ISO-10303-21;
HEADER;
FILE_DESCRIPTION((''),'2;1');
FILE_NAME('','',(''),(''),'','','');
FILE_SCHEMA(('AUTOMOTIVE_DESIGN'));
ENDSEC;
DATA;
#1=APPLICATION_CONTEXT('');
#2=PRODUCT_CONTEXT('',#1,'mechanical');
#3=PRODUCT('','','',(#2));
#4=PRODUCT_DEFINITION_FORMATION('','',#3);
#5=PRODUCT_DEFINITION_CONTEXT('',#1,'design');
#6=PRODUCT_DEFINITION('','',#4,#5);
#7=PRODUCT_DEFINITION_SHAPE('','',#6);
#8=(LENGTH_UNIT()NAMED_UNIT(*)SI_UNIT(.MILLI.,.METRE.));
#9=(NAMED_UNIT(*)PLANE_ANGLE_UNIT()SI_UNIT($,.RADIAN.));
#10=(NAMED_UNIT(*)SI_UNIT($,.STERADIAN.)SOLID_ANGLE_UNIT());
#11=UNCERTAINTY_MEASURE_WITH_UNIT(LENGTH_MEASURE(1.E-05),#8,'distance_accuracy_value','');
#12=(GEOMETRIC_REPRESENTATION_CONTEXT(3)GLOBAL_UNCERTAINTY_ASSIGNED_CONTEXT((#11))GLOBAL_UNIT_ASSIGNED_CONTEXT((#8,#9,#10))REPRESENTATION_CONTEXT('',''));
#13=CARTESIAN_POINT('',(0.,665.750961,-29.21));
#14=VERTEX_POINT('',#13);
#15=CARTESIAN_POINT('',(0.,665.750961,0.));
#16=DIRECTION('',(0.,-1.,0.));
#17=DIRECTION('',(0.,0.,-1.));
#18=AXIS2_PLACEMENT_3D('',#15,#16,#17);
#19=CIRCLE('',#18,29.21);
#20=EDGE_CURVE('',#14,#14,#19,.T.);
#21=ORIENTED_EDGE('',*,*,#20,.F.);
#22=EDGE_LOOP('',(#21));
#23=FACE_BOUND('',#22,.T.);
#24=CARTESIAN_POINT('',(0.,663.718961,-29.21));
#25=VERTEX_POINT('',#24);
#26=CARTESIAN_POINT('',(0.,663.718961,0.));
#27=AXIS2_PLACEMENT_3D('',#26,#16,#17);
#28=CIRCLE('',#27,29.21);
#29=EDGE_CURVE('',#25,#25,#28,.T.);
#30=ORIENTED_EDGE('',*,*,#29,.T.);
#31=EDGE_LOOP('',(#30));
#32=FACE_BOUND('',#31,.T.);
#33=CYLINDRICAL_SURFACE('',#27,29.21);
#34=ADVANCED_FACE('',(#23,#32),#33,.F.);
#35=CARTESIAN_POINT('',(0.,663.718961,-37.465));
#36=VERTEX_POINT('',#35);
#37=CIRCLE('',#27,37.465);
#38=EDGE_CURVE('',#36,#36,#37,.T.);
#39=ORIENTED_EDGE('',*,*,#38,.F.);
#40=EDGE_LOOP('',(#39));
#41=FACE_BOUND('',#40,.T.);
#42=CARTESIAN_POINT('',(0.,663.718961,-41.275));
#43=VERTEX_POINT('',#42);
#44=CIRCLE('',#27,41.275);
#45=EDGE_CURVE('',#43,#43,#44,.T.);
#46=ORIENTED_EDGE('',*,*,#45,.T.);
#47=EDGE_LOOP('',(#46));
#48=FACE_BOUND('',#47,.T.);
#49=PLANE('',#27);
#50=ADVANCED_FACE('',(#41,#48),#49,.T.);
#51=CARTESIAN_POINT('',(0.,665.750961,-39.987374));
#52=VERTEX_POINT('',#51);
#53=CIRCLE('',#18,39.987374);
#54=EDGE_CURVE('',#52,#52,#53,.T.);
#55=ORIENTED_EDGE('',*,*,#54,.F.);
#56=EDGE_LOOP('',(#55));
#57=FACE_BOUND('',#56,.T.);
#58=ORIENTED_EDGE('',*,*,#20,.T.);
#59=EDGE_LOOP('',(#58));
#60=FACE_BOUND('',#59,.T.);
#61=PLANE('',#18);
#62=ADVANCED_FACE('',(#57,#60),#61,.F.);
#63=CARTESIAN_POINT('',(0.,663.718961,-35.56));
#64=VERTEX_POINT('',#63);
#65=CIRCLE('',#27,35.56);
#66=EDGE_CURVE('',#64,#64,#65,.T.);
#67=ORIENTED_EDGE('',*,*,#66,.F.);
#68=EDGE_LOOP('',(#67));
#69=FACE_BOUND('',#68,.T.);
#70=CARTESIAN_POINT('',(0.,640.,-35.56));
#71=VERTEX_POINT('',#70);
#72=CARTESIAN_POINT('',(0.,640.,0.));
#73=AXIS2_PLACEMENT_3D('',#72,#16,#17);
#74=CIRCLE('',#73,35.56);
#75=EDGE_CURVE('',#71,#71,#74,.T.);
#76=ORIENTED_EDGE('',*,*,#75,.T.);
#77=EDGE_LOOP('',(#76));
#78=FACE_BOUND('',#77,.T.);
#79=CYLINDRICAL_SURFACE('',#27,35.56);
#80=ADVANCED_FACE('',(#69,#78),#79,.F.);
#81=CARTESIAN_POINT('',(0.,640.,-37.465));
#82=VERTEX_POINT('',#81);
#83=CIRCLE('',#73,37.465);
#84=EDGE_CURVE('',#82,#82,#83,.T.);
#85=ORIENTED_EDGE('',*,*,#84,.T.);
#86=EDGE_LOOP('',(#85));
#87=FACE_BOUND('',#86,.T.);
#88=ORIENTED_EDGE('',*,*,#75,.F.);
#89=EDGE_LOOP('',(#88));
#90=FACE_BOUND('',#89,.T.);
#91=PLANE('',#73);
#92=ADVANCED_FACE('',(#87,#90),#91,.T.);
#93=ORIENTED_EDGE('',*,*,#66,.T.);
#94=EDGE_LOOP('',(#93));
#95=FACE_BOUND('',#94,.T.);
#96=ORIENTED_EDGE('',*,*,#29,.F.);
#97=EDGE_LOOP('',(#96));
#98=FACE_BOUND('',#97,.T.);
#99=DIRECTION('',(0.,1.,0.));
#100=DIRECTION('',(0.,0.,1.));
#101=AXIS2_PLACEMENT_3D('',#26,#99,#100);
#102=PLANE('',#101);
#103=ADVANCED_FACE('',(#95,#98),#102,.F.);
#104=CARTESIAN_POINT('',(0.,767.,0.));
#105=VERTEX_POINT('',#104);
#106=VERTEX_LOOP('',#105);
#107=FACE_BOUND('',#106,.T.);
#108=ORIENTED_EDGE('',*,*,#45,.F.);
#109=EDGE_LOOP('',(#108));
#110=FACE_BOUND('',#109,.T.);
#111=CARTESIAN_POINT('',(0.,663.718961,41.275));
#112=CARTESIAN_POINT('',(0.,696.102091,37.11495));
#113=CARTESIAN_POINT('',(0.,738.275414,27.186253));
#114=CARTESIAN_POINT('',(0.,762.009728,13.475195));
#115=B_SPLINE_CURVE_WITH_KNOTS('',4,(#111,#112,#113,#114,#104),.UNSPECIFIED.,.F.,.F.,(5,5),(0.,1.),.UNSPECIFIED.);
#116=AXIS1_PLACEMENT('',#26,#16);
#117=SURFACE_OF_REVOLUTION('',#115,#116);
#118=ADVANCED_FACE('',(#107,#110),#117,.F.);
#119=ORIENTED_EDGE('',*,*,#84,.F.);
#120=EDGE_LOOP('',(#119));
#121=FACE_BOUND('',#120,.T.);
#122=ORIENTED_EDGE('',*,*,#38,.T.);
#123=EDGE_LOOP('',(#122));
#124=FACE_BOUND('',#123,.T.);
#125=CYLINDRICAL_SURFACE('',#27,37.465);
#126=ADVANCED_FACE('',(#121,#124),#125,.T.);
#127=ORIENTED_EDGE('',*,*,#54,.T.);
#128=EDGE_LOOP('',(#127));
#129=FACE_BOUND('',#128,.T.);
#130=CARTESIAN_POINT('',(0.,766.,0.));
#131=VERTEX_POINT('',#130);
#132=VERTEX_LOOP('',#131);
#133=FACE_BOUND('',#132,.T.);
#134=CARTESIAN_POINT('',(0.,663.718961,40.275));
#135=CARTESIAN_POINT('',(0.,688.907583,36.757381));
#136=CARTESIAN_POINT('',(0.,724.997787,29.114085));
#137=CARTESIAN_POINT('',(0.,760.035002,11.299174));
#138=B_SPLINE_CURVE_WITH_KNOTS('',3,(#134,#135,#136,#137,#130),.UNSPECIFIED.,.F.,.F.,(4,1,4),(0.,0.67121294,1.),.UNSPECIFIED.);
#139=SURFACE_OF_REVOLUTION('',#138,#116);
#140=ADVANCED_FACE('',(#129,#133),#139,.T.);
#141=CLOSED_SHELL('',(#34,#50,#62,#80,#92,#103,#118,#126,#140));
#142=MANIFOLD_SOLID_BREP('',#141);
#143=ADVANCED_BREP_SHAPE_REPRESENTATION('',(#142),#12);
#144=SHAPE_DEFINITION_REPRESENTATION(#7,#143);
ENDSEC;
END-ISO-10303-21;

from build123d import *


with BuildPart() as part:
    # Sketch1 → Revolve1 (revolve)
    with BuildSketch(Plane(origin=(0, 0, 0), x_dir=(0, 0, -1), z_dir=(1, 0, 0)), mode=Mode.PRIVATE) as revolve1_sk:
        with BuildLine():
            add(Edge.make_bspline(
                [(-41.275, 663.718960604), (-37.114950299, 696.102091455), (-27.186253254, 738.275414141), (-13.47519543, 762.00972803), (0, 767)],
                knots=[0, 0, 0, 0, 0, 1, 1, 1, 1, 1], degree=4))
            Line((-41.275, 663.718960604), (-37.465, 663.718960604))
            Line((-37.465, 663.718960604), (-37.465, 640))
            Line((-37.465, 640), (-35.56, 640))
            Line((-35.56, 640), (-35.56, 663.718960604))
            Line((-35.56, 663.718960604), (-29.21, 663.718960604))
            Line((-29.21, 663.718960604), (-29.21, 665.750960604))
            Line((-29.21, 665.750960604), (-39.98737405, 665.750960604))
            add(Edge.make_bspline(
                [(-39.98737405, 665.750960604), (-36.477865751, 690.211377193), (-28.792209972, 725.630830687), (-11.299174439, 760.035001988), (0, 766)],
                knots=[0.018067753, 0.018067753, 0.018067753, 0.018067753, 0.67121294, 1, 1, 1, 1], degree=3))
            Line((0, 766), (0, 767))
        make_face()
    revolve(revolve1_sk.sketch.rotate(Axis((0, 663.718960604, 0), (0, 1, 0)), 180), axis=Axis((0, 663.718960604, 0), (0, 1, 0)))


solid = part.part
